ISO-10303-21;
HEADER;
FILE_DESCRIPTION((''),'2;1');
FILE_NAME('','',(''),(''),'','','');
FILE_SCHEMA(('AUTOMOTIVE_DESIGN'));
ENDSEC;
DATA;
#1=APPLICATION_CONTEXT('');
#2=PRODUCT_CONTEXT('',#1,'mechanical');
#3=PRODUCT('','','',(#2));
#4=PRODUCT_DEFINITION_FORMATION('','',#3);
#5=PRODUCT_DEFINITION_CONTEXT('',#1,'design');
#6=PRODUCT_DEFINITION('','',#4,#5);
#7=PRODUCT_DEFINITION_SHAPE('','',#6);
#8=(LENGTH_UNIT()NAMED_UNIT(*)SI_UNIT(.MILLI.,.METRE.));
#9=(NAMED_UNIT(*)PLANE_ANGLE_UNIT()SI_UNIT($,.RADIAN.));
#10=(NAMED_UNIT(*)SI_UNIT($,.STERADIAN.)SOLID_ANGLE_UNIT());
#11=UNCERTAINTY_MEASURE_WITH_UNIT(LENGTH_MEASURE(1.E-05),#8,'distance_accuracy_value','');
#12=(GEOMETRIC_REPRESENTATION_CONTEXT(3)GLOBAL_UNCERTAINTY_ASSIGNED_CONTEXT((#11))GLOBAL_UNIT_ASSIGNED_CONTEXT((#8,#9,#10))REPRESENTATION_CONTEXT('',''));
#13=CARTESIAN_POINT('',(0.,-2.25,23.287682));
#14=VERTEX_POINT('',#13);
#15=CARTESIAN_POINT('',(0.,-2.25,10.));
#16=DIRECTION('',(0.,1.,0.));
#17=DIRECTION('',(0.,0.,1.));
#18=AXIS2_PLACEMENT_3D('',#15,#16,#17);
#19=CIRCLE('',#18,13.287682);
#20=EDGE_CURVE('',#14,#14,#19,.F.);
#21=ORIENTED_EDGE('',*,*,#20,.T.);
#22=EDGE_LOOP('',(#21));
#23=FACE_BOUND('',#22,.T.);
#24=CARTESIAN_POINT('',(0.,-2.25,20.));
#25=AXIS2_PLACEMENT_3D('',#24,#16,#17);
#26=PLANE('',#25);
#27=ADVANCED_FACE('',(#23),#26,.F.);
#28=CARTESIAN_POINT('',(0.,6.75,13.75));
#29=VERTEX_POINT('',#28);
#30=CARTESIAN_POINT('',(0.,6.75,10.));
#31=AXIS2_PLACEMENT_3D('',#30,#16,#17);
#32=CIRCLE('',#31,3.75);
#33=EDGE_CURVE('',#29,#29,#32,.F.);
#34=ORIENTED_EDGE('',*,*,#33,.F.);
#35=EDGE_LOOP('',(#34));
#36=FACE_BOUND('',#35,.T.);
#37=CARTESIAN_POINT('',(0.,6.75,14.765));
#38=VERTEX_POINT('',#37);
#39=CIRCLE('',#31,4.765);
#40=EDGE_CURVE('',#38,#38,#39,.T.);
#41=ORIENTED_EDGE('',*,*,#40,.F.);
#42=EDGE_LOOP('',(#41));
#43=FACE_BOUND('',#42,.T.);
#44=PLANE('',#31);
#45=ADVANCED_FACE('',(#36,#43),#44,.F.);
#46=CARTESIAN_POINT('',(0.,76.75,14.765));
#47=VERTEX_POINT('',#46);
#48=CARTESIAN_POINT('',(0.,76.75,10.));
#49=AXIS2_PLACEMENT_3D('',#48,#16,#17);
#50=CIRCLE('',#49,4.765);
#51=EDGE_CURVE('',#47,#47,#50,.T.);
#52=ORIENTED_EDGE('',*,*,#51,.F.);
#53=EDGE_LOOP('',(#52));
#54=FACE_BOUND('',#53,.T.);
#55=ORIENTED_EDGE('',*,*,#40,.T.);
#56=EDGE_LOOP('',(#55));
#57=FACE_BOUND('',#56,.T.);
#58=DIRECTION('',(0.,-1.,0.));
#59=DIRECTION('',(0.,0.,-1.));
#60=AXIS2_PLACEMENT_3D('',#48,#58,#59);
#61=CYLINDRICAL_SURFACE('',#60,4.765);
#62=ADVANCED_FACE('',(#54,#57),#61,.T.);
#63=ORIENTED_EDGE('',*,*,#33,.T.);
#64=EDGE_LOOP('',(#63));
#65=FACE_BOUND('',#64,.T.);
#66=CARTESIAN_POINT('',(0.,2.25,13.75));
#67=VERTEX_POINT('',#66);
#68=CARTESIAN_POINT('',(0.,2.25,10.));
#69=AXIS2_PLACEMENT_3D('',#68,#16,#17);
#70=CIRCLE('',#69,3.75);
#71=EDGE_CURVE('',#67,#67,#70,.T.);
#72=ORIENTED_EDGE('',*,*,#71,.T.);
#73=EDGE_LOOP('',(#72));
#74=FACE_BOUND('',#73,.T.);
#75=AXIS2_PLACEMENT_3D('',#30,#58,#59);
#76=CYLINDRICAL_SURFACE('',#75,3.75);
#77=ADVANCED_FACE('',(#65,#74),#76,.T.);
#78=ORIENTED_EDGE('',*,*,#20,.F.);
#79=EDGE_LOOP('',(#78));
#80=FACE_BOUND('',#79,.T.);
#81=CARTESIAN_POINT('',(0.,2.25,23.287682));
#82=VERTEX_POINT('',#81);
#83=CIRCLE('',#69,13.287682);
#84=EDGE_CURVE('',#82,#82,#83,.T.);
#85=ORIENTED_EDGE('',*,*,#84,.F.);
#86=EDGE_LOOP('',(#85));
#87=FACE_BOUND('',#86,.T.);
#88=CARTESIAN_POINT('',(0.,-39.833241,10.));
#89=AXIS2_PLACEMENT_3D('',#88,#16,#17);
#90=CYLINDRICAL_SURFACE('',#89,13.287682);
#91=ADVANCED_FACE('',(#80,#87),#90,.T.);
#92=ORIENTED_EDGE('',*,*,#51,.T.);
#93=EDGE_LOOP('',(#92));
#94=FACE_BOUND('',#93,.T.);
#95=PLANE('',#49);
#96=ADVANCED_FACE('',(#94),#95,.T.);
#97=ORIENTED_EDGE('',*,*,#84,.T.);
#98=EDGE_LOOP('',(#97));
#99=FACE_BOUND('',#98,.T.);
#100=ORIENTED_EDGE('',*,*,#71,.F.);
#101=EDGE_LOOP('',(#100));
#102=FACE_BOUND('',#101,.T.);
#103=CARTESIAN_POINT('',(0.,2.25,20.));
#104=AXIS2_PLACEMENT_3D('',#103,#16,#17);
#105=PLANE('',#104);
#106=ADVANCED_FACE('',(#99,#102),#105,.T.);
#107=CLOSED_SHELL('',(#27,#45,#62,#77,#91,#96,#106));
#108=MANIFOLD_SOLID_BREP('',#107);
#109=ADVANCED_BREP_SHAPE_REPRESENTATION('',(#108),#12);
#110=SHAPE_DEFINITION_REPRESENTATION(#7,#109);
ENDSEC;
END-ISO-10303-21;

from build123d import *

# Parameters (mm, degrees)
SALIENTE_EXTRUIR1_DEPTH = 20
CORTAR_EXTRUIR1_REACH   = 24.289
CROQUIS2_R              = 3.75
SALIENTE_EXTRUIR2_START = -9
CROQUIS3_R              = 3.75
SALIENTE_EXTRUIR2_DEPTH = 9
CROQUIS4_R              = 4.765
SALIENTE_EXTRUIR3_DEPTH = 70
CROQUIS5_R              = 13.287682266
SALIENTE_EXTRUIR4_DEPTH = 4.5


with BuildPart() as part:
    # Croquis1 → Saliente-Extruir1 (new body)
    with BuildSketch(Plane.XY):
        Polygon((-8.75, 2.25), (8.75, 2.25), (4.25, -2.25), (-4.25, -2.25), align=None)
    extrude(amount=SALIENTE_EXTRUIR1_DEPTH)

    # Croquis2 → Cortar-Extruir1 (cut, up to next)
    with BuildSketch(Plane(origin=(0, 2.25, 0), x_dir=(1, 0, 0), z_dir=(0, 1, 0)), mode=Mode.PRIVATE) as cortar_extruir1_sk1:
        with Locations(Location((0, -10, 0), (0, 0, 270))):
            Circle(CROQUIS2_R)
    cortar_extruir1_tool1 = extrude(cortar_extruir1_sk1.sketch, amount=-CORTAR_EXTRUIR1_REACH, mode=Mode.PRIVATE) & part.part
    add(cortar_extruir1_tool1.solids().sort_by_distance((0, 2.25, 10))[0], mode=Mode.SUBTRACT)

    # Croquis3 → Saliente-Extruir2 (add)
    with BuildSketch(Plane.XZ.offset(2.25).offset(SALIENTE_EXTRUIR2_START)):
        with Locations(Location((0, 10, 0), (0, 0, 270))):
            Circle(CROQUIS3_R)
    extrude(amount=SALIENTE_EXTRUIR2_DEPTH)

    # Croquis4 → Saliente-Extruir3 (add)
    with BuildSketch(Plane(origin=(0, 6.75, 0), x_dir=(1, 0, 0), z_dir=(0, 1, 0))):
        with Locations(Location((0, -10, 0), (0, 0, 270))):
            Circle(CROQUIS4_R)
    extrude(amount=SALIENTE_EXTRUIR3_DEPTH)

    # Croquis5 → Saliente-Extruir4 (add)
    with BuildSketch(Plane(origin=(0, 2.25, 0), x_dir=(1, 0, 0), z_dir=(0, 1, 0))):
        with Locations(Location((0, -10, 0), (0, 0, 270))):
            Circle(CROQUIS5_R)
    extrude(amount=-SALIENTE_EXTRUIR4_DEPTH)


solid = part.part
